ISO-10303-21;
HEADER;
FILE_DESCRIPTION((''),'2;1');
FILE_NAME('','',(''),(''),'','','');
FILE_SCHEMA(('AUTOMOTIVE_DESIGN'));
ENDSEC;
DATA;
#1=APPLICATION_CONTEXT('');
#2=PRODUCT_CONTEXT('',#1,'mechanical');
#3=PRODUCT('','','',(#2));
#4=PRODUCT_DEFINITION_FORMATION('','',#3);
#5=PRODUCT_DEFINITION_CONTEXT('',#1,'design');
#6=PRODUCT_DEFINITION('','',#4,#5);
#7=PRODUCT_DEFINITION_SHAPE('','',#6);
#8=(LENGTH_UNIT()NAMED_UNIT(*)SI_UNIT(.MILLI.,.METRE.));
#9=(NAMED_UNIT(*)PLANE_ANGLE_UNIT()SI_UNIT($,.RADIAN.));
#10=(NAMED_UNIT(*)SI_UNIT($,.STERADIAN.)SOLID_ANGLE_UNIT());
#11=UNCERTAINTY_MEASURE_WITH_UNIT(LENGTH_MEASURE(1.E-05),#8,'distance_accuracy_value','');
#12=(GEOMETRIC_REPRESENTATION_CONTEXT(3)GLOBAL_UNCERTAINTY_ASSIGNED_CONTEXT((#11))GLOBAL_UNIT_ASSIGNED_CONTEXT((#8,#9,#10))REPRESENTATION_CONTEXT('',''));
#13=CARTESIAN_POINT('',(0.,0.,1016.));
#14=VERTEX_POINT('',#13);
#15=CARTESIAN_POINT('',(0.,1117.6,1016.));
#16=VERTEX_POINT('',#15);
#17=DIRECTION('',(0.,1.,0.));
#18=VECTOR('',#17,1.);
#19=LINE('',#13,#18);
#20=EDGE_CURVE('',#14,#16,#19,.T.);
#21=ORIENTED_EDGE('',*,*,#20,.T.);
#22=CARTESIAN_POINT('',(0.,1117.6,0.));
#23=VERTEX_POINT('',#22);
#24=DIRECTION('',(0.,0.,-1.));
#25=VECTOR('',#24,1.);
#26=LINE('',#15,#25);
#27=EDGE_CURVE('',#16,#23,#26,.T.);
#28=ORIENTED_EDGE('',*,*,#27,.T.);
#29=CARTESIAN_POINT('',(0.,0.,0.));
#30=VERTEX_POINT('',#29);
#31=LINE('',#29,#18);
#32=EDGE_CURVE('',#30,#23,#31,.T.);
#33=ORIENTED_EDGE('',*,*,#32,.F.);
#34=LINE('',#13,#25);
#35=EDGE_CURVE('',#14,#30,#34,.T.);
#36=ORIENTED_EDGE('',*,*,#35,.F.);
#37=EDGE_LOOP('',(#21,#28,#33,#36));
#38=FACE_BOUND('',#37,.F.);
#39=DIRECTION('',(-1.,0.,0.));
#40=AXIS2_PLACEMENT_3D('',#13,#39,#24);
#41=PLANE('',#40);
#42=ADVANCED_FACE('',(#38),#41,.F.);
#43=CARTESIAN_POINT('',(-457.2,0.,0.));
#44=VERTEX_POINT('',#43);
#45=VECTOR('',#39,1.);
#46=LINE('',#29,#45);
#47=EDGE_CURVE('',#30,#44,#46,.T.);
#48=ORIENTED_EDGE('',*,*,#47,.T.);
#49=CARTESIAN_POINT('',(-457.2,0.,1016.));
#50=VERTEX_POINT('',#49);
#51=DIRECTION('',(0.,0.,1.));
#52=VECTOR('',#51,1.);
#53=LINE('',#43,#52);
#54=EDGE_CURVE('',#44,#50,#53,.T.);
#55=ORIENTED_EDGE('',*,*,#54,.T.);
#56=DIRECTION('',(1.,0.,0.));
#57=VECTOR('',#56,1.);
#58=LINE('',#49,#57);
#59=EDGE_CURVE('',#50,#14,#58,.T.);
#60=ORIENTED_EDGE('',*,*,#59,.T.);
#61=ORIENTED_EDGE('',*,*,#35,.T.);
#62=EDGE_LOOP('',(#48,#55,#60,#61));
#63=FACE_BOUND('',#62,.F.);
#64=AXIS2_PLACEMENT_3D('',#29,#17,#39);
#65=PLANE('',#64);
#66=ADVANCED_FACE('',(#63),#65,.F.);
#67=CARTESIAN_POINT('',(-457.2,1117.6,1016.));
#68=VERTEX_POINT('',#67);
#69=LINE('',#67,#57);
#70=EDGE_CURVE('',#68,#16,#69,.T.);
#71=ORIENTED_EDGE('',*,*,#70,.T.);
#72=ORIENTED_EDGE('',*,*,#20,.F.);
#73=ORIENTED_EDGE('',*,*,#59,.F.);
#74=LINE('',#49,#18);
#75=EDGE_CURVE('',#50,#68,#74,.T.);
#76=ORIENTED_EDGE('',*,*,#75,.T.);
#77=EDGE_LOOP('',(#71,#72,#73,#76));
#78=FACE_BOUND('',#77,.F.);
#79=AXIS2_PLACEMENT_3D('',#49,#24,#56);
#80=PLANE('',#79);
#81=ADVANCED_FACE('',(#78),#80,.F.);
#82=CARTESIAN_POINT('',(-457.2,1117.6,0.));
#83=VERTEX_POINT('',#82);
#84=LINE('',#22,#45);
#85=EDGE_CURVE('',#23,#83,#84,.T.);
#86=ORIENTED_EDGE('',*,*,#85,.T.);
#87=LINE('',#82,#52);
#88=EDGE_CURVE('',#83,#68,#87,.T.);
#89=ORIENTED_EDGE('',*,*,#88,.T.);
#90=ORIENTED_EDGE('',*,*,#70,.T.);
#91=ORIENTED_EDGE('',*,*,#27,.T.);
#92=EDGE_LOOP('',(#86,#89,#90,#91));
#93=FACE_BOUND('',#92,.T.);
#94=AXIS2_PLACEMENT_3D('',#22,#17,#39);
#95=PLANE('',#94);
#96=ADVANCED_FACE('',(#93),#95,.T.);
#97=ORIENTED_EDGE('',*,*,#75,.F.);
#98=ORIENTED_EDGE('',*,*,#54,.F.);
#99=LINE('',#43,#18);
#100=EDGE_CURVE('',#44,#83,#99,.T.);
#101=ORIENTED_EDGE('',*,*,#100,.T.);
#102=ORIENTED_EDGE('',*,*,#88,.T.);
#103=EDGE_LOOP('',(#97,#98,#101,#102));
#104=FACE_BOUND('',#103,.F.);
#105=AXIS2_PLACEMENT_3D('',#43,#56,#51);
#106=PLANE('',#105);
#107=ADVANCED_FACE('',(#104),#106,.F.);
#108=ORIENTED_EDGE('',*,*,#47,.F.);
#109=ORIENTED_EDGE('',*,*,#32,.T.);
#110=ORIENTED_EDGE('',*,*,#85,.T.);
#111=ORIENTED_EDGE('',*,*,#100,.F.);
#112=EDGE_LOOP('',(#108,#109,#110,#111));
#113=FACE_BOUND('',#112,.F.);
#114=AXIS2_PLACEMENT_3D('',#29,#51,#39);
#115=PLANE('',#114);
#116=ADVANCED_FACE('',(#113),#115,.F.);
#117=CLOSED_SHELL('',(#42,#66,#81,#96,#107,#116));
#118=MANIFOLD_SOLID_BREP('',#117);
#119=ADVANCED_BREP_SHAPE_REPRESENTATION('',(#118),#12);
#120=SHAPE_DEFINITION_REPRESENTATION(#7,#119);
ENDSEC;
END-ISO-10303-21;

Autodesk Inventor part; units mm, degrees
ref_plane "YZ Plane" through (0, 0, 0) normal (1, 0, 0) x (0, 1, 0)
ref_plane "XZ Plane" through (0, 0, 0) normal (0, 1, 0) x (-1, 0, 0)
ref_plane "XY Plane" through (0, 0, 0) normal (0, 0, 1) x (1, 0, 0)
sketch "Sketch1" plane through (0, 0, 0) normal (0, 1, 0) x (-1, 0, 0)
  line L0 (0, 0) -> (457.2, 0)
  line L1 (457.2, 0) -> (457.2, 1016)
  line L2 (457.2, 1016) -> (0, 1016)
  line L3 (0, 1016) -> (0, 0)
  dimension "d0" = 457.2
  dimension "d1" = 1016
extrude "Extrusion1" add sketch "Sketch1" along normal blind 1117.6
properties part number "tool  chest"
